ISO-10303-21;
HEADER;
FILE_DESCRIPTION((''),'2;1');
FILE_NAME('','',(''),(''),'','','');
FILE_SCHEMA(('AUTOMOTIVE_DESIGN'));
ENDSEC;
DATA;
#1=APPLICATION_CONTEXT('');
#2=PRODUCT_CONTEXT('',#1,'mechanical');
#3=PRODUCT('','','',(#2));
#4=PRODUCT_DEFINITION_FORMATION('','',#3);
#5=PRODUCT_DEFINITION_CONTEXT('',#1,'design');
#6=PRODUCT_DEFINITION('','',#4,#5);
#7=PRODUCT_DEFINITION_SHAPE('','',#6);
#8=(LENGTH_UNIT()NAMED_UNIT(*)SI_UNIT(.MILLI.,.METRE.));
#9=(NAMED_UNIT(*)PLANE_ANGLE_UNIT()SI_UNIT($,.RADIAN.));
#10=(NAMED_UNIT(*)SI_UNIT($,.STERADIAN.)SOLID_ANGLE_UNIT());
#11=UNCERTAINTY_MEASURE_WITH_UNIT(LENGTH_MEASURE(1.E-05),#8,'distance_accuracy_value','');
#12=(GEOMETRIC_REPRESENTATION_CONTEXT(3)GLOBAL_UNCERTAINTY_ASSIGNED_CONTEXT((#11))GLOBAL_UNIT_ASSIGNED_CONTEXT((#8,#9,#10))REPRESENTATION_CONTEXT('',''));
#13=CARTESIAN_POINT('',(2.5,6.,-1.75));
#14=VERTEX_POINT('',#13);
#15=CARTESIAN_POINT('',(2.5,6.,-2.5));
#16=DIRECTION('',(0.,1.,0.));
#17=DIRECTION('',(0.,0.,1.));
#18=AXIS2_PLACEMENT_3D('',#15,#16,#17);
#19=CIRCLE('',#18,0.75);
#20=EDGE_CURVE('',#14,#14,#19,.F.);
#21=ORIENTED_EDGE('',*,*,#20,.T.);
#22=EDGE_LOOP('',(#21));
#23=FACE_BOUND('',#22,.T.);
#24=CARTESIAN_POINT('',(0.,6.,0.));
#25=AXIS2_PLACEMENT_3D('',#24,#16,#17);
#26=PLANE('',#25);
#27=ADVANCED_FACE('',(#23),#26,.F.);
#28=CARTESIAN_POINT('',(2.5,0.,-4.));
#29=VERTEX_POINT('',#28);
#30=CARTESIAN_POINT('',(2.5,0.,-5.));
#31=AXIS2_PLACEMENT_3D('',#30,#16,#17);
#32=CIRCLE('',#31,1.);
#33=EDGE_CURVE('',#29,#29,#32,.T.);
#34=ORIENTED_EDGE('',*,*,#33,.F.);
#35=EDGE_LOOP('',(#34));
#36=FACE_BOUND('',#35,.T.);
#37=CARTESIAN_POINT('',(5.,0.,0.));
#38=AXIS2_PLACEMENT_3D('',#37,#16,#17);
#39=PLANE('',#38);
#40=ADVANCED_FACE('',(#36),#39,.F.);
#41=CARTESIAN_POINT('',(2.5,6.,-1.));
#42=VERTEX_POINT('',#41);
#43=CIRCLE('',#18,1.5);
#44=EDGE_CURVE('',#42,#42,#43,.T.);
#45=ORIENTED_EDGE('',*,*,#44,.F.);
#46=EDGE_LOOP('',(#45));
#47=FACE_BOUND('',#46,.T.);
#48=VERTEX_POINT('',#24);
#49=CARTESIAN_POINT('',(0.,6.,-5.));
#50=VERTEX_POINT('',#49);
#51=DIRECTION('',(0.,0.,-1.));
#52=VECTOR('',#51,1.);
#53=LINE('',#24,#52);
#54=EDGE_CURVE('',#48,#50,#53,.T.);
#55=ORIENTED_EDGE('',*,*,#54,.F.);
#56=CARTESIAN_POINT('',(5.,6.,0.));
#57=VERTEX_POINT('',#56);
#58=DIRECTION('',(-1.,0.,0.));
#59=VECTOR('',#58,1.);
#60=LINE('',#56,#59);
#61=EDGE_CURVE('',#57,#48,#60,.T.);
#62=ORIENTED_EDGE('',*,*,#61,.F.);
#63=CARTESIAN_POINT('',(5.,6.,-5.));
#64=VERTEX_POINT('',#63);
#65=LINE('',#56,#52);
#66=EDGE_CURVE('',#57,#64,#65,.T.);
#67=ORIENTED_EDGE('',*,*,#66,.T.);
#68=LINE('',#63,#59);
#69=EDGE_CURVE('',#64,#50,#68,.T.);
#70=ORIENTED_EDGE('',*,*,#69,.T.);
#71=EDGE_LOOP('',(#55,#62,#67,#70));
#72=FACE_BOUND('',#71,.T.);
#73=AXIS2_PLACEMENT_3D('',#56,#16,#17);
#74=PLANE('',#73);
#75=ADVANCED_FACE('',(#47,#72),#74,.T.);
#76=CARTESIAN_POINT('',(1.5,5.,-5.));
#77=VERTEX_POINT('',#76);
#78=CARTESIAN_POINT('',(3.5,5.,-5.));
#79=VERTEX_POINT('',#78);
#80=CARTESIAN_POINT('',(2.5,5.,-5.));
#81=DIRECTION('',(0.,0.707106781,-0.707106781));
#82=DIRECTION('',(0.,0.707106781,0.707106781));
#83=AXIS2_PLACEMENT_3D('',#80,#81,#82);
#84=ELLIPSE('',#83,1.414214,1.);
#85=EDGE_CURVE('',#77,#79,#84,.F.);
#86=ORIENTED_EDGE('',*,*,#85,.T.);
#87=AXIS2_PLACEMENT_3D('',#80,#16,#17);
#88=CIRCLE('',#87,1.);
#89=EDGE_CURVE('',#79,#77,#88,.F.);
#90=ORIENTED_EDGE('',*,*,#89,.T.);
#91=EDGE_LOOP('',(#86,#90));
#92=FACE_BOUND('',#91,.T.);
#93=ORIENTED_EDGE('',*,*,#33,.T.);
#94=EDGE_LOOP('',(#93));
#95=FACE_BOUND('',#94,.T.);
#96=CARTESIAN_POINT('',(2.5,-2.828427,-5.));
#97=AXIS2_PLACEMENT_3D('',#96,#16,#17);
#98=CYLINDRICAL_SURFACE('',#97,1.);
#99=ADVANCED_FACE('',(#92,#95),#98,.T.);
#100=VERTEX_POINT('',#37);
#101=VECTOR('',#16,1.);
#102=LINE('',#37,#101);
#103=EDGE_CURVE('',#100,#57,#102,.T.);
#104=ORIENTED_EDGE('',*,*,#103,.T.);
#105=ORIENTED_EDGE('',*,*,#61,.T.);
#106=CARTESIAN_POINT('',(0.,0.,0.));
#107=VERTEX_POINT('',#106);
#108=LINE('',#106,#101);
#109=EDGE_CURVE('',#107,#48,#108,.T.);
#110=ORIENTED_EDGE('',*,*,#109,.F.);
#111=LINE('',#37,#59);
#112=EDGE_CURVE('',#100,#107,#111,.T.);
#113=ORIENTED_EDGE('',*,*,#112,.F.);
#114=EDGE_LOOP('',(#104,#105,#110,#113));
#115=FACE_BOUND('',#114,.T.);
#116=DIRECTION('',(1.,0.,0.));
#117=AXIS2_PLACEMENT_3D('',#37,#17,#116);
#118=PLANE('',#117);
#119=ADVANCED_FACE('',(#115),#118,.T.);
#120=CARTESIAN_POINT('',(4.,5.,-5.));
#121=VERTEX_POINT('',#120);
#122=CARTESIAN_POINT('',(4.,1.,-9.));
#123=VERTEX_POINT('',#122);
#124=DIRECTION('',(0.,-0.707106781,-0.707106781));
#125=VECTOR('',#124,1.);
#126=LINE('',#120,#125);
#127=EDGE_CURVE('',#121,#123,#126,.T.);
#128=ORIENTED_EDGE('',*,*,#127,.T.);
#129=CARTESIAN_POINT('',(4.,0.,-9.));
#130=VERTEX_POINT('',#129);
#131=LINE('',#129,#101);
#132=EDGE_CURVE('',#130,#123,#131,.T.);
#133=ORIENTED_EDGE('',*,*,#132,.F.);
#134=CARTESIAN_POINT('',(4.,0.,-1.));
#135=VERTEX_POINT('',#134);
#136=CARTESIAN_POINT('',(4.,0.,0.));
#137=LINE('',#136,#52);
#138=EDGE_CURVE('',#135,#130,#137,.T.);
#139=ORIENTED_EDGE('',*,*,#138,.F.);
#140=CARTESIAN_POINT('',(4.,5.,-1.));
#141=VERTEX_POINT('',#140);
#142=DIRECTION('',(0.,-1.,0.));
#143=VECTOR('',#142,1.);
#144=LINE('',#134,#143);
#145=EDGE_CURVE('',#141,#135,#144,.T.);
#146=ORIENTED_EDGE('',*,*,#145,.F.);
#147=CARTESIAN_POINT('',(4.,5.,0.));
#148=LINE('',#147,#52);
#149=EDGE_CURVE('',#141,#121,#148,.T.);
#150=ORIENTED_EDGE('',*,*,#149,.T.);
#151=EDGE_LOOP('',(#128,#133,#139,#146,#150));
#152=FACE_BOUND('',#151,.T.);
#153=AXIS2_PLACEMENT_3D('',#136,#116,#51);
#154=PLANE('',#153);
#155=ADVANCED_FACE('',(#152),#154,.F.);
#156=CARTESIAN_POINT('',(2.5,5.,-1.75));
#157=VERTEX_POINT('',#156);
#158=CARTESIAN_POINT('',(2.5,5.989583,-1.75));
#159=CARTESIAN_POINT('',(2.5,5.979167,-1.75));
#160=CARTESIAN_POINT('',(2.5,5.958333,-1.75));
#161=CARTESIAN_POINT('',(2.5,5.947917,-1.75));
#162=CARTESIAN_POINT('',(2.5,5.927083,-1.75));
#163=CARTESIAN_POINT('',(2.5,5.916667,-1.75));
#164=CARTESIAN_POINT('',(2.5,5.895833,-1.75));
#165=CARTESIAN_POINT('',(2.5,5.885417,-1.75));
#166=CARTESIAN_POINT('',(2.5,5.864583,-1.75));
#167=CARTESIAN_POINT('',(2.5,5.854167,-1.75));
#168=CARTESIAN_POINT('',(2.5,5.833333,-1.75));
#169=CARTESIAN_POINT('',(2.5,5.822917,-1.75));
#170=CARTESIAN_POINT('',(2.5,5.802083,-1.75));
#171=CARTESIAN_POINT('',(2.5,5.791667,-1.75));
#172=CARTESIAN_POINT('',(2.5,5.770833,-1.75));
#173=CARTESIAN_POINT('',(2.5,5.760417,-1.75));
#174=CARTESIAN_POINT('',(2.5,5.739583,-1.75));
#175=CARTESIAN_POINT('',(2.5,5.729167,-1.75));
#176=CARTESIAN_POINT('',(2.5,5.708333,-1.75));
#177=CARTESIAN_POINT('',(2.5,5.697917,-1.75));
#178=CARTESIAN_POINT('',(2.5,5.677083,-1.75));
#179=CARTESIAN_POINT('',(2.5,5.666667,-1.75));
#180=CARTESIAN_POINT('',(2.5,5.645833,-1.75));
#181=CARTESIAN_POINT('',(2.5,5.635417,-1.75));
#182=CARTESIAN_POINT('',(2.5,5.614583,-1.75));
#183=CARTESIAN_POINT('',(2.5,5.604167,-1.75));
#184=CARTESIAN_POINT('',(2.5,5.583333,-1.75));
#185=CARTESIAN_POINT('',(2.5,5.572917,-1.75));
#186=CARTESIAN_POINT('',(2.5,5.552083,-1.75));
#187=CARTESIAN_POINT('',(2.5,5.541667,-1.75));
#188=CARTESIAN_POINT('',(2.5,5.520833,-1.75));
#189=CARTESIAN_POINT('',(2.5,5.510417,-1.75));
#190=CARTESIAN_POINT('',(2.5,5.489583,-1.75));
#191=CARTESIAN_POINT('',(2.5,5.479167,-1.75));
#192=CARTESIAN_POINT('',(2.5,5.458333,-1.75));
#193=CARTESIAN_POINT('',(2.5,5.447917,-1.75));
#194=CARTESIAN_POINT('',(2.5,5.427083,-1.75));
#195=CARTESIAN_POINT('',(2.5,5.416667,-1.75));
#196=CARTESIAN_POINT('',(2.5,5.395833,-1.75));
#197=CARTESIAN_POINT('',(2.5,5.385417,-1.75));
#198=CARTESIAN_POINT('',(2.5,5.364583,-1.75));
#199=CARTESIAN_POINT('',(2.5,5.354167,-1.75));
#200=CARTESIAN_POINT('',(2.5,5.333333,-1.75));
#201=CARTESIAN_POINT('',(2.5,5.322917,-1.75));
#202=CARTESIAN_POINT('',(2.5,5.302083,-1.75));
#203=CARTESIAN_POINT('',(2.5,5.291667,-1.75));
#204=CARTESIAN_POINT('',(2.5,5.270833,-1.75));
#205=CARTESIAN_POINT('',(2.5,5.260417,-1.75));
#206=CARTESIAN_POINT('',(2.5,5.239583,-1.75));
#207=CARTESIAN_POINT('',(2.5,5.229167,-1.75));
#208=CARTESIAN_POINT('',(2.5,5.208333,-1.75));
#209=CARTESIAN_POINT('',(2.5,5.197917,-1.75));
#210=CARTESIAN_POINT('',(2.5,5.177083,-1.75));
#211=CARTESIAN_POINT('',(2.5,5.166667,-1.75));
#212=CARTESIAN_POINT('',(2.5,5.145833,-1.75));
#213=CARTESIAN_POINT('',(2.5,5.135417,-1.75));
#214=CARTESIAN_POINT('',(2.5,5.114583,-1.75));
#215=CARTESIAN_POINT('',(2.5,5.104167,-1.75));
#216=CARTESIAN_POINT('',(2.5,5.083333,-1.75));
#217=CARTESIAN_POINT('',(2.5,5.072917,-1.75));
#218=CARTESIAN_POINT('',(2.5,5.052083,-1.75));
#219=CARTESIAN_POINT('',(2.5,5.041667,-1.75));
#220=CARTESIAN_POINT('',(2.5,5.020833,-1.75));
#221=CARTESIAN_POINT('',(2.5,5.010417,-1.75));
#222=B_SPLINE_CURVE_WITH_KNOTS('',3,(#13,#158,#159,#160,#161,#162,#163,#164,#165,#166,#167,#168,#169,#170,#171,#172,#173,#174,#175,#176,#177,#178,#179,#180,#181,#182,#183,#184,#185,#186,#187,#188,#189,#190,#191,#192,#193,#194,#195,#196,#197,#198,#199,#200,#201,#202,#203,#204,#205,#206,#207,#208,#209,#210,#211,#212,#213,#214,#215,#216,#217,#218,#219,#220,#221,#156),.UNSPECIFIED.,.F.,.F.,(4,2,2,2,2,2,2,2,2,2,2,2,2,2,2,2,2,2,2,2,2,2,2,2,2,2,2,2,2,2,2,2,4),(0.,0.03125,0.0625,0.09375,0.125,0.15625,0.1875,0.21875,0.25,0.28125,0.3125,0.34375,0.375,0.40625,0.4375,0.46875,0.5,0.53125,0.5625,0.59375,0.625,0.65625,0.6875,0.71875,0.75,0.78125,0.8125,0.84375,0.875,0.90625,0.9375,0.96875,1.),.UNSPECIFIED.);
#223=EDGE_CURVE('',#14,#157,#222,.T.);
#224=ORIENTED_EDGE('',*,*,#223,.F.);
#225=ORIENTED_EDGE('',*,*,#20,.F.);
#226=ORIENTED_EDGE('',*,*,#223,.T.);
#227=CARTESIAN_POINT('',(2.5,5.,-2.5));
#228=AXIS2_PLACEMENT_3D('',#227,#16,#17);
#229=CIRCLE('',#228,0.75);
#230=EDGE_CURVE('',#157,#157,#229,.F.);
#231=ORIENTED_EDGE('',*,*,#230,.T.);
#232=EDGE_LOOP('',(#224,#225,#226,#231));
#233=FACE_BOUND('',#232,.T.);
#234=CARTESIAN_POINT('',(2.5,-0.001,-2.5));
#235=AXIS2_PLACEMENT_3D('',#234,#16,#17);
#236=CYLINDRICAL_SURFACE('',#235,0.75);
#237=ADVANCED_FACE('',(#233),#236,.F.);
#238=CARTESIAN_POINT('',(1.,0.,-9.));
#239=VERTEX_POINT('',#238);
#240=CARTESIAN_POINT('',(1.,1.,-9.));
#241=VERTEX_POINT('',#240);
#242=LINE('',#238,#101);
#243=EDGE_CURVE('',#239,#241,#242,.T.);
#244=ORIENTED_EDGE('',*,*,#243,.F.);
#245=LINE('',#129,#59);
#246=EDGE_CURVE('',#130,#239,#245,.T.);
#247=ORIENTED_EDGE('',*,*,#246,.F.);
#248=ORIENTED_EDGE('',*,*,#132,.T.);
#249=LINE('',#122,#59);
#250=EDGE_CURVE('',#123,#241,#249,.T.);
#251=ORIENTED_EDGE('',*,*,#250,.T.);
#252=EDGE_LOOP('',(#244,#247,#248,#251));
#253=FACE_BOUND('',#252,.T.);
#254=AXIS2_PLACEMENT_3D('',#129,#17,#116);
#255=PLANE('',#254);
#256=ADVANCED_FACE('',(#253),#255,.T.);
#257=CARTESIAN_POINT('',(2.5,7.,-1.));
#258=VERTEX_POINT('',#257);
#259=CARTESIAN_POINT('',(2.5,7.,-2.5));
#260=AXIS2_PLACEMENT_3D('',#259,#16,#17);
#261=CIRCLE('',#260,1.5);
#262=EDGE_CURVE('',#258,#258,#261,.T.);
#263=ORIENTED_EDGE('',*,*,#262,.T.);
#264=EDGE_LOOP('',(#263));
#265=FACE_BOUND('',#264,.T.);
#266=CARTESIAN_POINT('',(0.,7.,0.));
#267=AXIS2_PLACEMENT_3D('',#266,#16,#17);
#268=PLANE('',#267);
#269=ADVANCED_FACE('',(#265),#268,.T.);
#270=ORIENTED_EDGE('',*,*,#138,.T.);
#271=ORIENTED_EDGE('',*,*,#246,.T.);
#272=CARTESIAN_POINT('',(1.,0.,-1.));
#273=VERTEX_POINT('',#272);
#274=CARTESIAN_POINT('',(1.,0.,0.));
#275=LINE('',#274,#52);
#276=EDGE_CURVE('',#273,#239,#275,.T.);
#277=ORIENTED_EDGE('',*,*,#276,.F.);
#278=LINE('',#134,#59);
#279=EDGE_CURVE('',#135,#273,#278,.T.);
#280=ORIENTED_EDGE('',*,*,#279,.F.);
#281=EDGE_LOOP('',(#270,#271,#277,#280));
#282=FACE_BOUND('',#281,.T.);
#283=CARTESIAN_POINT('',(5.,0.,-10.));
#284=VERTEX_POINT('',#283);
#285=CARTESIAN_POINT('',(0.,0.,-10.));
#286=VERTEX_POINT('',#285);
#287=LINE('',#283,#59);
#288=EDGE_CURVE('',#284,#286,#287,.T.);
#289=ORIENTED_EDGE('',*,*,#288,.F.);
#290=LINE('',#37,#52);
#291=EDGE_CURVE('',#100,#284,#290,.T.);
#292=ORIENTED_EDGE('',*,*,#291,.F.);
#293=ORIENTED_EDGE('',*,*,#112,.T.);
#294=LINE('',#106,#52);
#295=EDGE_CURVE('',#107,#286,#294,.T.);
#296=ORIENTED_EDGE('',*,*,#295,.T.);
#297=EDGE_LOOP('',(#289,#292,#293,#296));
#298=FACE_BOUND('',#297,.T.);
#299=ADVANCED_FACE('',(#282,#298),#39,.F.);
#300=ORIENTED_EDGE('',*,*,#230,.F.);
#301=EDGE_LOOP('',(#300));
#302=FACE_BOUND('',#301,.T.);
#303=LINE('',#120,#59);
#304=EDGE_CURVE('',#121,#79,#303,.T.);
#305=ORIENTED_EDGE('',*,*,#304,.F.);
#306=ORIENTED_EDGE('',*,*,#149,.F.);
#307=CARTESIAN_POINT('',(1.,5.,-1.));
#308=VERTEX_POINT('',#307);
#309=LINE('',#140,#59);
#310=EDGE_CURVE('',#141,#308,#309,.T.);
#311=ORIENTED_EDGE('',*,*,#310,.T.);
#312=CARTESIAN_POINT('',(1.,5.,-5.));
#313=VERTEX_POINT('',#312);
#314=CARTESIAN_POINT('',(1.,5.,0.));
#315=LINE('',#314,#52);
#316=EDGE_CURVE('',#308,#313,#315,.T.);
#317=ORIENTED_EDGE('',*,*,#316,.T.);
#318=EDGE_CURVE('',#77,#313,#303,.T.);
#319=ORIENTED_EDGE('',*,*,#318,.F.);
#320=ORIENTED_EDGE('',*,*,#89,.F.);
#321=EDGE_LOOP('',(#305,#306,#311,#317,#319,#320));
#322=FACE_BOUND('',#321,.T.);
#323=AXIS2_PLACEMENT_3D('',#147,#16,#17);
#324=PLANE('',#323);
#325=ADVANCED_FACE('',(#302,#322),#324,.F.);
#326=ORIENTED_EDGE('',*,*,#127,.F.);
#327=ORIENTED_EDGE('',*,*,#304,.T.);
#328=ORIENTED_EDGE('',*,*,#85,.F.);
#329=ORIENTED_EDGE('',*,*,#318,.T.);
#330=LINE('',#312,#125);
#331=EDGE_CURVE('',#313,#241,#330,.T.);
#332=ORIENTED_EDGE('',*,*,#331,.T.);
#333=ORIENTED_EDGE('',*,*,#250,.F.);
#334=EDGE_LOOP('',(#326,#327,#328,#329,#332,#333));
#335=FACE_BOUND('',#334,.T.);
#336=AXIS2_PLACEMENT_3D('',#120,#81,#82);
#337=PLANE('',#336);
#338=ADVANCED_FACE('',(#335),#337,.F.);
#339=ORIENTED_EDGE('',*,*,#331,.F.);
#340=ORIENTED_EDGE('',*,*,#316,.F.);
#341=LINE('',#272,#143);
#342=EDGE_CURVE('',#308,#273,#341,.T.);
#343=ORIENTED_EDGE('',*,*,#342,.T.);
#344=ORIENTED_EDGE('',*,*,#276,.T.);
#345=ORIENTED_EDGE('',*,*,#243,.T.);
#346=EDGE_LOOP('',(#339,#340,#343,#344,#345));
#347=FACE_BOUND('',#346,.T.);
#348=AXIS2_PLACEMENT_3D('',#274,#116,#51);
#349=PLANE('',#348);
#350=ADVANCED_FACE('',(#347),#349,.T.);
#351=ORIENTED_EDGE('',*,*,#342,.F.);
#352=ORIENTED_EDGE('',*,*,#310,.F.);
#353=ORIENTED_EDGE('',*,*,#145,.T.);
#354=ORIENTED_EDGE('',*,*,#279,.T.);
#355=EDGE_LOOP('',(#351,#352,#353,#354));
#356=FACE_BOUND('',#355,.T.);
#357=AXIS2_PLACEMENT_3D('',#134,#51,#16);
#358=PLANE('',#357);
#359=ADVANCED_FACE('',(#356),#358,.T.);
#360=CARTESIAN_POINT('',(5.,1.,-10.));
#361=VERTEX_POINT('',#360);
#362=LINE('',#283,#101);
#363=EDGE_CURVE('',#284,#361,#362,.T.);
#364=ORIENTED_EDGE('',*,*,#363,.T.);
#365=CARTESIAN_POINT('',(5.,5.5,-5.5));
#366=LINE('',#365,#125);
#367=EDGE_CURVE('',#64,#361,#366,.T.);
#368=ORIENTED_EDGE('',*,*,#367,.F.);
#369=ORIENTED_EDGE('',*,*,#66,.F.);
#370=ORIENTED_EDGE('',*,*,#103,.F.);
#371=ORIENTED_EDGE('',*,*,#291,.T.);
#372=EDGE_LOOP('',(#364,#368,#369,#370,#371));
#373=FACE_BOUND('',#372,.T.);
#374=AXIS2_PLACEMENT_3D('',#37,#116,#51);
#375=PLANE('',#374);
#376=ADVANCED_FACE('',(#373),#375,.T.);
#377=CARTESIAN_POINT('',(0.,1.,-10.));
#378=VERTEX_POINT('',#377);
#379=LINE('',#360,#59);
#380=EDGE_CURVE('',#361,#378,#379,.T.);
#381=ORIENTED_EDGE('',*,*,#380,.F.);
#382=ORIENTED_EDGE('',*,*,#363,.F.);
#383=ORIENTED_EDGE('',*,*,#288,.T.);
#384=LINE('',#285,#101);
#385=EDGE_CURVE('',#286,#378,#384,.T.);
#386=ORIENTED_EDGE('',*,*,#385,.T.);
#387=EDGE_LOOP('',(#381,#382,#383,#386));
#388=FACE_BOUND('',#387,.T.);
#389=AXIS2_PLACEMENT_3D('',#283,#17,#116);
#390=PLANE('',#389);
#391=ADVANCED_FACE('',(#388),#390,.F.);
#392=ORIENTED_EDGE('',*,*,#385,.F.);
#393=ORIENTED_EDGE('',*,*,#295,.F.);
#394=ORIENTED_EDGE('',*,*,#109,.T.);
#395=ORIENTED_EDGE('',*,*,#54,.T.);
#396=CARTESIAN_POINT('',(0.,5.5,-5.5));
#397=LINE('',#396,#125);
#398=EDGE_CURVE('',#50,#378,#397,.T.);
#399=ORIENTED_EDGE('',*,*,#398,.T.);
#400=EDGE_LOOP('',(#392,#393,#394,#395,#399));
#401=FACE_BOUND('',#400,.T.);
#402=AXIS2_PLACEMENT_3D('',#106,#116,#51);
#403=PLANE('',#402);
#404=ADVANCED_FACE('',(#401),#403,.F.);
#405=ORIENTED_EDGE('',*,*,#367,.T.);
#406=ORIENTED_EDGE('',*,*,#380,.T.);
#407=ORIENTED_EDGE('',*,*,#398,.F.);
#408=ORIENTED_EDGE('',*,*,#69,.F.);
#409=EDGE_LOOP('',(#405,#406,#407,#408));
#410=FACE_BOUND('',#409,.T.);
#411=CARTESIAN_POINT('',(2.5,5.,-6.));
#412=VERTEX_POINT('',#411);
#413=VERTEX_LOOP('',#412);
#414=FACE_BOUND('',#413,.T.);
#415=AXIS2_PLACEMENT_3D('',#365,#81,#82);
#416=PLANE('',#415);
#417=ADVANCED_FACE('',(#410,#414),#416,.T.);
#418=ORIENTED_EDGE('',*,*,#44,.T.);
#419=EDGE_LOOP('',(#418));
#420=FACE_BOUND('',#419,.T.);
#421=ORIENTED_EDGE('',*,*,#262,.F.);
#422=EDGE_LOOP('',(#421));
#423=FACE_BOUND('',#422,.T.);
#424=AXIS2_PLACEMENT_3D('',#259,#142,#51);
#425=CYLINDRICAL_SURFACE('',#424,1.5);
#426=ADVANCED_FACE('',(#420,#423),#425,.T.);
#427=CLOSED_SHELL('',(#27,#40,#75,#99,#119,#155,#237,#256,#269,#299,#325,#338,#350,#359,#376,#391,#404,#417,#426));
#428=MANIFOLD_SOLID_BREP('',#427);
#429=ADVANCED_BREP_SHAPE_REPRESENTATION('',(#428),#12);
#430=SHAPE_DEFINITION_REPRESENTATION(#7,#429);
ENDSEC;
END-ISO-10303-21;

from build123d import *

# Parameters (mm, degrees)
BOSS_EXTRUDE2_DEPTH = 5
CUT_EXTRUDE1_DEPTH  = 4
BOSS_EXTRUDE3_DEPTH = 1
CUT_EXTRUDE2_REACH  = 14.689
SKETCH4_R           = 0.75
SKETCH4_4_R         = 1.5
SKETCH4_4_R_2       = 0.75
BOSS_EXTRUDE6_DEPTH = 1
SKETCH6_R           = 1
BOSS_EXTRUDE7_DEPTH = 5


with BuildPart() as part:
    # Sketch3 → Boss-Extrude2 (new body)
    with BuildSketch(Plane(origin=(0, 0, 0), x_dir=(0, 0, -1), z_dir=(1, 0, 0))):
        Polygon((5, 5), (4, 6), (1, 6), (0, 6), (0, 0), (1, 0), (1, 5), align=None)
        Polygon((9, 1), (5, 5), (1, 5), (1, 0), (9, 0), align=None)
        Polygon((10, 1), (5, 6), (4, 6), (5, 5), (9, 1), (9, 0), (10, 0), align=None)
    extrude(amount=BOSS_EXTRUDE2_DEPTH)

    # Sketch3<5> → Cut-Extrude1 (cut)
    with BuildSketch(Plane(origin=(0, 0, 0), x_dir=(0, 0, -1), z_dir=(1, 0, 0))):
        Polygon((9, 1), (5, 5), (1, 5), (1, 0), (9, 0), align=None)
    extrude(amount=CUT_EXTRUDE1_DEPTH, mode=Mode.SUBTRACT)

    # Sketch3<6> → Boss-Extrude3 (add)
    with BuildSketch(Plane(origin=(0, 0, 0), x_dir=(0, 0, -1), z_dir=(1, 0, 0))):
        Polygon((9, 1), (5, 5), (1, 5), (1, 0), (9, 0), align=None)
    extrude(amount=BOSS_EXTRUDE3_DEPTH)

    # Sketch4 → Cut-Extrude2 (cut, up to next)
    with BuildSketch(Plane(origin=(0, 6, 0), x_dir=(1, 0, 0), z_dir=(0, 1, 0)), mode=Mode.PRIVATE) as cut_extrude2_sk1:
        with Locations(Location((2.5, 2.5, 0), (0, 0, 270))):
            Circle(SKETCH4_R)
    cut_extrude2_tool1 = extrude(cut_extrude2_sk1.sketch, amount=-CUT_EXTRUDE2_REACH, mode=Mode.PRIVATE) & part.part
    add(cut_extrude2_tool1.solids().sort_by_distance((2.5, 6, -2.5))[0], mode=Mode.SUBTRACT)

    # Sketch4<4> → Boss-Extrude6 (add)
    with BuildSketch(Plane(origin=(0, 6, 0), x_dir=(1, 0, 0), z_dir=(0, 1, 0))):
        with Locations(Location((2.5, 2.5, 0), (0, 0, 270))):
            Circle(SKETCH4_4_R)
        with Locations(Location((2.5, 2.5, 0), (0, 0, 270))):
            Circle(SKETCH4_4_R_2, mode=Mode.SUBTRACT)
        with Locations(Location((2.5, 2.5, 0), (0, 0, 270))):
            Circle(SKETCH4_4_R_2)
    extrude(amount=BOSS_EXTRUDE6_DEPTH)

    # Sketch6 → Boss-Extrude7 (add)
    with BuildSketch(Plane(origin=(0, 5, 0), x_dir=(-1, 0, 0), z_dir=(0, -1, 0))):
        with Locations(Location((-2.5, 5, 0), (0, 0, 270))):
            Circle(SKETCH6_R)
    extrude(amount=BOSS_EXTRUDE7_DEPTH)


solid = part.part
